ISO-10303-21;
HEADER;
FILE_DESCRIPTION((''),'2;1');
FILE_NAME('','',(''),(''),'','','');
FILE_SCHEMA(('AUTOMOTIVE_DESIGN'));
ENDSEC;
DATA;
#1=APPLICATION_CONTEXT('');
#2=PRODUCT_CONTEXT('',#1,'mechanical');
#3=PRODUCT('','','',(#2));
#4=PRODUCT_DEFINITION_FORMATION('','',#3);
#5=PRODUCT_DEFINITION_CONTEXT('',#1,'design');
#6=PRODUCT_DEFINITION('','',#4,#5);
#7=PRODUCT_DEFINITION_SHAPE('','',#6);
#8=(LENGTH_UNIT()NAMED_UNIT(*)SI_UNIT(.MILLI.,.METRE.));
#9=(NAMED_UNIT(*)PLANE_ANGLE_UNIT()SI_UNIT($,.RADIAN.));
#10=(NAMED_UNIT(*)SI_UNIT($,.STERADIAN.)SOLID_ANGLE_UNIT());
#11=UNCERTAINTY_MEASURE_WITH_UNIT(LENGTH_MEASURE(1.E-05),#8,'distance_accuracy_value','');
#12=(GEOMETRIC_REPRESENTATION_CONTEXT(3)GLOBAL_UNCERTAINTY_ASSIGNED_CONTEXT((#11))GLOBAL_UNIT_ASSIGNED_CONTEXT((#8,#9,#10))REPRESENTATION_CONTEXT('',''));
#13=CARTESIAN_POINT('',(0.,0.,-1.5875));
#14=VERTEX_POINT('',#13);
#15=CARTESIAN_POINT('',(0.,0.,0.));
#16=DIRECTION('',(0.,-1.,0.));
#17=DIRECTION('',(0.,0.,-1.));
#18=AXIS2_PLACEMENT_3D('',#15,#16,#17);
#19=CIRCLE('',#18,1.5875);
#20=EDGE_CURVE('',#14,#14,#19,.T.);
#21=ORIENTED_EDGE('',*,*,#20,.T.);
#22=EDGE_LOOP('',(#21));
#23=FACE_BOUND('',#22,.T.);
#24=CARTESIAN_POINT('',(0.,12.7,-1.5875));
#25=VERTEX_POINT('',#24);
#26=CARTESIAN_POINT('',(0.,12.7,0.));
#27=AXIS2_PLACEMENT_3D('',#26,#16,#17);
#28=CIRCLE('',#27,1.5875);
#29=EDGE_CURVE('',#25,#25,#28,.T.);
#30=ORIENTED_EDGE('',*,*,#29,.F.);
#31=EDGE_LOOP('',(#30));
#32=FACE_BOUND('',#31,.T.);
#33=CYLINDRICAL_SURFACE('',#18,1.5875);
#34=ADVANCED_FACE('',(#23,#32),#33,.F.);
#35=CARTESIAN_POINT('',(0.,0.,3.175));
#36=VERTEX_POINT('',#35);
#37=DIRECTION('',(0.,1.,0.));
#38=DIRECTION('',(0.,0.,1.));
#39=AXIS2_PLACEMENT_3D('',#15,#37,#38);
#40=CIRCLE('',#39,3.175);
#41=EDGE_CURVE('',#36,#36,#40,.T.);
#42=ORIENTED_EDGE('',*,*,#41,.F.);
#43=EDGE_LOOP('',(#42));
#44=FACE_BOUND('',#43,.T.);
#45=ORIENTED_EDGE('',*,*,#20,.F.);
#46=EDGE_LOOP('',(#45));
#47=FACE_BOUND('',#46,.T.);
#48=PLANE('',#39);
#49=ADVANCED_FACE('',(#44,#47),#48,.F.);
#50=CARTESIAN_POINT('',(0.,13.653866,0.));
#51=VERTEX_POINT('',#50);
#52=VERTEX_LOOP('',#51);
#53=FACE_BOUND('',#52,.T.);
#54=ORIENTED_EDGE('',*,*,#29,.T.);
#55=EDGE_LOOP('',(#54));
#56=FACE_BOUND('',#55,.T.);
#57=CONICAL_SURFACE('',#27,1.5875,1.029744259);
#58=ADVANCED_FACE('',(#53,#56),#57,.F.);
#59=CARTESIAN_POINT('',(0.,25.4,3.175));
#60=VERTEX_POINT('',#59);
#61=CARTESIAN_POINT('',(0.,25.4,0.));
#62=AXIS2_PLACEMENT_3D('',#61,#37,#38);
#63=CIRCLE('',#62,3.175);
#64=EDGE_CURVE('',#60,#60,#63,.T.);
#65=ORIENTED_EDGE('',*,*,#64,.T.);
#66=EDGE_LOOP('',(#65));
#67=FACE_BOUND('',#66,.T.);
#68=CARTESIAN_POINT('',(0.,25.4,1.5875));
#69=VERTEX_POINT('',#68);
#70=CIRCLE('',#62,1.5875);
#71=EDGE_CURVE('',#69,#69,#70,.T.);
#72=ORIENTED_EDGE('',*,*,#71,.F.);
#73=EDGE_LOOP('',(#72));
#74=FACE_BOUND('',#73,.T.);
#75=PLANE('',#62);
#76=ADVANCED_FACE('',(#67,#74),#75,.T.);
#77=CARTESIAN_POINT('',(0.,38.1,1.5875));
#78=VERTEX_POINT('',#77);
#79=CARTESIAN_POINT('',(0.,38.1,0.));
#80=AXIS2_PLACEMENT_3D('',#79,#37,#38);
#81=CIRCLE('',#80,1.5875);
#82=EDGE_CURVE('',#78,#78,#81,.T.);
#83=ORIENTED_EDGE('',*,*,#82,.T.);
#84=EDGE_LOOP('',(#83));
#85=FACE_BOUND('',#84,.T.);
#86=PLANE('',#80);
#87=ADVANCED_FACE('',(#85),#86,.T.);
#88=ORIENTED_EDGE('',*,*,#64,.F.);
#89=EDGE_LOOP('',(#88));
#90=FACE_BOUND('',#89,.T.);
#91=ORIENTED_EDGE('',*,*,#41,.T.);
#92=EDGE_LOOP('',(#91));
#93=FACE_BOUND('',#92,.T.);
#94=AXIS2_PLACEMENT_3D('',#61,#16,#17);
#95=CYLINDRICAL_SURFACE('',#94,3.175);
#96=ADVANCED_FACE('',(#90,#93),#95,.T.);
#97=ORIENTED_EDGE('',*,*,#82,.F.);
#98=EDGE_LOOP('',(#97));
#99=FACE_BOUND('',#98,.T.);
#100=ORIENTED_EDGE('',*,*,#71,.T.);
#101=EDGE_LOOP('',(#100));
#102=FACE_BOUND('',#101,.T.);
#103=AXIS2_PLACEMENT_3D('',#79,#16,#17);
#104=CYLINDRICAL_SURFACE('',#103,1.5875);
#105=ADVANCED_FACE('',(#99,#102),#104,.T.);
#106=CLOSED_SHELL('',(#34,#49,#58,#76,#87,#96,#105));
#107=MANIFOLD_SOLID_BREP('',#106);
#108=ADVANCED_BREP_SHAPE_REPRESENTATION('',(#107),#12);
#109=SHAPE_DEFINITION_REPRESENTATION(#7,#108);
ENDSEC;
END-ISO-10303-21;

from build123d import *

# Parameters (mm, degrees)
SKETCH1_R                        = 3.175
BOSS_EXTRUDE1_DEPTH              = 25.4
SKETCH2_R                        = 1.5875
BOSS_EXTRUDE2_DEPTH              = 12.7
F_1_8_0_125_DIAMETER_HOLE1_D     = 3.175
F_1_8_0_125_DIAMETER_HOLE1_DEPTH = 12.7
F_1_8_0_125_DIAMETER_HOLE1_TIP   = 0.953866233


with BuildPart() as part:
    # Sketch1 → Boss-Extrude1 (new body)
    with BuildSketch(Plane(origin=(0, 0, 0), x_dir=(1, 0, 0), z_dir=(0, 1, 0))):
        with Locations(Location((0, 0, 0), (0, 0, 270))):
            Circle(SKETCH1_R)
    extrude(amount=BOSS_EXTRUDE1_DEPTH)

    # Sketch2 → Boss-Extrude2 (add)
    with BuildSketch(Plane(origin=(0, 25.4, 0), x_dir=(1, 0, 0), z_dir=(0, 1, 0))):
        with Locations(Location((0, 0, 0), (0, 0, 270))):
            Circle(SKETCH2_R)
    extrude(amount=BOSS_EXTRUDE2_DEPTH)

    # 1/8 (0.125) Diameter Hole1
    with Locations(Plane.XZ):
        with Locations((0, 0)):
            Hole(F_1_8_0_125_DIAMETER_HOLE1_D / 2, depth=F_1_8_0_125_DIAMETER_HOLE1_DEPTH)
            with Locations((0, 0, -(F_1_8_0_125_DIAMETER_HOLE1_DEPTH + F_1_8_0_125_DIAMETER_HOLE1_TIP / 2))):  # 118° drill point
                Cone(0, F_1_8_0_125_DIAMETER_HOLE1_D / 2, F_1_8_0_125_DIAMETER_HOLE1_TIP, mode=Mode.SUBTRACT)


solid = part.part
